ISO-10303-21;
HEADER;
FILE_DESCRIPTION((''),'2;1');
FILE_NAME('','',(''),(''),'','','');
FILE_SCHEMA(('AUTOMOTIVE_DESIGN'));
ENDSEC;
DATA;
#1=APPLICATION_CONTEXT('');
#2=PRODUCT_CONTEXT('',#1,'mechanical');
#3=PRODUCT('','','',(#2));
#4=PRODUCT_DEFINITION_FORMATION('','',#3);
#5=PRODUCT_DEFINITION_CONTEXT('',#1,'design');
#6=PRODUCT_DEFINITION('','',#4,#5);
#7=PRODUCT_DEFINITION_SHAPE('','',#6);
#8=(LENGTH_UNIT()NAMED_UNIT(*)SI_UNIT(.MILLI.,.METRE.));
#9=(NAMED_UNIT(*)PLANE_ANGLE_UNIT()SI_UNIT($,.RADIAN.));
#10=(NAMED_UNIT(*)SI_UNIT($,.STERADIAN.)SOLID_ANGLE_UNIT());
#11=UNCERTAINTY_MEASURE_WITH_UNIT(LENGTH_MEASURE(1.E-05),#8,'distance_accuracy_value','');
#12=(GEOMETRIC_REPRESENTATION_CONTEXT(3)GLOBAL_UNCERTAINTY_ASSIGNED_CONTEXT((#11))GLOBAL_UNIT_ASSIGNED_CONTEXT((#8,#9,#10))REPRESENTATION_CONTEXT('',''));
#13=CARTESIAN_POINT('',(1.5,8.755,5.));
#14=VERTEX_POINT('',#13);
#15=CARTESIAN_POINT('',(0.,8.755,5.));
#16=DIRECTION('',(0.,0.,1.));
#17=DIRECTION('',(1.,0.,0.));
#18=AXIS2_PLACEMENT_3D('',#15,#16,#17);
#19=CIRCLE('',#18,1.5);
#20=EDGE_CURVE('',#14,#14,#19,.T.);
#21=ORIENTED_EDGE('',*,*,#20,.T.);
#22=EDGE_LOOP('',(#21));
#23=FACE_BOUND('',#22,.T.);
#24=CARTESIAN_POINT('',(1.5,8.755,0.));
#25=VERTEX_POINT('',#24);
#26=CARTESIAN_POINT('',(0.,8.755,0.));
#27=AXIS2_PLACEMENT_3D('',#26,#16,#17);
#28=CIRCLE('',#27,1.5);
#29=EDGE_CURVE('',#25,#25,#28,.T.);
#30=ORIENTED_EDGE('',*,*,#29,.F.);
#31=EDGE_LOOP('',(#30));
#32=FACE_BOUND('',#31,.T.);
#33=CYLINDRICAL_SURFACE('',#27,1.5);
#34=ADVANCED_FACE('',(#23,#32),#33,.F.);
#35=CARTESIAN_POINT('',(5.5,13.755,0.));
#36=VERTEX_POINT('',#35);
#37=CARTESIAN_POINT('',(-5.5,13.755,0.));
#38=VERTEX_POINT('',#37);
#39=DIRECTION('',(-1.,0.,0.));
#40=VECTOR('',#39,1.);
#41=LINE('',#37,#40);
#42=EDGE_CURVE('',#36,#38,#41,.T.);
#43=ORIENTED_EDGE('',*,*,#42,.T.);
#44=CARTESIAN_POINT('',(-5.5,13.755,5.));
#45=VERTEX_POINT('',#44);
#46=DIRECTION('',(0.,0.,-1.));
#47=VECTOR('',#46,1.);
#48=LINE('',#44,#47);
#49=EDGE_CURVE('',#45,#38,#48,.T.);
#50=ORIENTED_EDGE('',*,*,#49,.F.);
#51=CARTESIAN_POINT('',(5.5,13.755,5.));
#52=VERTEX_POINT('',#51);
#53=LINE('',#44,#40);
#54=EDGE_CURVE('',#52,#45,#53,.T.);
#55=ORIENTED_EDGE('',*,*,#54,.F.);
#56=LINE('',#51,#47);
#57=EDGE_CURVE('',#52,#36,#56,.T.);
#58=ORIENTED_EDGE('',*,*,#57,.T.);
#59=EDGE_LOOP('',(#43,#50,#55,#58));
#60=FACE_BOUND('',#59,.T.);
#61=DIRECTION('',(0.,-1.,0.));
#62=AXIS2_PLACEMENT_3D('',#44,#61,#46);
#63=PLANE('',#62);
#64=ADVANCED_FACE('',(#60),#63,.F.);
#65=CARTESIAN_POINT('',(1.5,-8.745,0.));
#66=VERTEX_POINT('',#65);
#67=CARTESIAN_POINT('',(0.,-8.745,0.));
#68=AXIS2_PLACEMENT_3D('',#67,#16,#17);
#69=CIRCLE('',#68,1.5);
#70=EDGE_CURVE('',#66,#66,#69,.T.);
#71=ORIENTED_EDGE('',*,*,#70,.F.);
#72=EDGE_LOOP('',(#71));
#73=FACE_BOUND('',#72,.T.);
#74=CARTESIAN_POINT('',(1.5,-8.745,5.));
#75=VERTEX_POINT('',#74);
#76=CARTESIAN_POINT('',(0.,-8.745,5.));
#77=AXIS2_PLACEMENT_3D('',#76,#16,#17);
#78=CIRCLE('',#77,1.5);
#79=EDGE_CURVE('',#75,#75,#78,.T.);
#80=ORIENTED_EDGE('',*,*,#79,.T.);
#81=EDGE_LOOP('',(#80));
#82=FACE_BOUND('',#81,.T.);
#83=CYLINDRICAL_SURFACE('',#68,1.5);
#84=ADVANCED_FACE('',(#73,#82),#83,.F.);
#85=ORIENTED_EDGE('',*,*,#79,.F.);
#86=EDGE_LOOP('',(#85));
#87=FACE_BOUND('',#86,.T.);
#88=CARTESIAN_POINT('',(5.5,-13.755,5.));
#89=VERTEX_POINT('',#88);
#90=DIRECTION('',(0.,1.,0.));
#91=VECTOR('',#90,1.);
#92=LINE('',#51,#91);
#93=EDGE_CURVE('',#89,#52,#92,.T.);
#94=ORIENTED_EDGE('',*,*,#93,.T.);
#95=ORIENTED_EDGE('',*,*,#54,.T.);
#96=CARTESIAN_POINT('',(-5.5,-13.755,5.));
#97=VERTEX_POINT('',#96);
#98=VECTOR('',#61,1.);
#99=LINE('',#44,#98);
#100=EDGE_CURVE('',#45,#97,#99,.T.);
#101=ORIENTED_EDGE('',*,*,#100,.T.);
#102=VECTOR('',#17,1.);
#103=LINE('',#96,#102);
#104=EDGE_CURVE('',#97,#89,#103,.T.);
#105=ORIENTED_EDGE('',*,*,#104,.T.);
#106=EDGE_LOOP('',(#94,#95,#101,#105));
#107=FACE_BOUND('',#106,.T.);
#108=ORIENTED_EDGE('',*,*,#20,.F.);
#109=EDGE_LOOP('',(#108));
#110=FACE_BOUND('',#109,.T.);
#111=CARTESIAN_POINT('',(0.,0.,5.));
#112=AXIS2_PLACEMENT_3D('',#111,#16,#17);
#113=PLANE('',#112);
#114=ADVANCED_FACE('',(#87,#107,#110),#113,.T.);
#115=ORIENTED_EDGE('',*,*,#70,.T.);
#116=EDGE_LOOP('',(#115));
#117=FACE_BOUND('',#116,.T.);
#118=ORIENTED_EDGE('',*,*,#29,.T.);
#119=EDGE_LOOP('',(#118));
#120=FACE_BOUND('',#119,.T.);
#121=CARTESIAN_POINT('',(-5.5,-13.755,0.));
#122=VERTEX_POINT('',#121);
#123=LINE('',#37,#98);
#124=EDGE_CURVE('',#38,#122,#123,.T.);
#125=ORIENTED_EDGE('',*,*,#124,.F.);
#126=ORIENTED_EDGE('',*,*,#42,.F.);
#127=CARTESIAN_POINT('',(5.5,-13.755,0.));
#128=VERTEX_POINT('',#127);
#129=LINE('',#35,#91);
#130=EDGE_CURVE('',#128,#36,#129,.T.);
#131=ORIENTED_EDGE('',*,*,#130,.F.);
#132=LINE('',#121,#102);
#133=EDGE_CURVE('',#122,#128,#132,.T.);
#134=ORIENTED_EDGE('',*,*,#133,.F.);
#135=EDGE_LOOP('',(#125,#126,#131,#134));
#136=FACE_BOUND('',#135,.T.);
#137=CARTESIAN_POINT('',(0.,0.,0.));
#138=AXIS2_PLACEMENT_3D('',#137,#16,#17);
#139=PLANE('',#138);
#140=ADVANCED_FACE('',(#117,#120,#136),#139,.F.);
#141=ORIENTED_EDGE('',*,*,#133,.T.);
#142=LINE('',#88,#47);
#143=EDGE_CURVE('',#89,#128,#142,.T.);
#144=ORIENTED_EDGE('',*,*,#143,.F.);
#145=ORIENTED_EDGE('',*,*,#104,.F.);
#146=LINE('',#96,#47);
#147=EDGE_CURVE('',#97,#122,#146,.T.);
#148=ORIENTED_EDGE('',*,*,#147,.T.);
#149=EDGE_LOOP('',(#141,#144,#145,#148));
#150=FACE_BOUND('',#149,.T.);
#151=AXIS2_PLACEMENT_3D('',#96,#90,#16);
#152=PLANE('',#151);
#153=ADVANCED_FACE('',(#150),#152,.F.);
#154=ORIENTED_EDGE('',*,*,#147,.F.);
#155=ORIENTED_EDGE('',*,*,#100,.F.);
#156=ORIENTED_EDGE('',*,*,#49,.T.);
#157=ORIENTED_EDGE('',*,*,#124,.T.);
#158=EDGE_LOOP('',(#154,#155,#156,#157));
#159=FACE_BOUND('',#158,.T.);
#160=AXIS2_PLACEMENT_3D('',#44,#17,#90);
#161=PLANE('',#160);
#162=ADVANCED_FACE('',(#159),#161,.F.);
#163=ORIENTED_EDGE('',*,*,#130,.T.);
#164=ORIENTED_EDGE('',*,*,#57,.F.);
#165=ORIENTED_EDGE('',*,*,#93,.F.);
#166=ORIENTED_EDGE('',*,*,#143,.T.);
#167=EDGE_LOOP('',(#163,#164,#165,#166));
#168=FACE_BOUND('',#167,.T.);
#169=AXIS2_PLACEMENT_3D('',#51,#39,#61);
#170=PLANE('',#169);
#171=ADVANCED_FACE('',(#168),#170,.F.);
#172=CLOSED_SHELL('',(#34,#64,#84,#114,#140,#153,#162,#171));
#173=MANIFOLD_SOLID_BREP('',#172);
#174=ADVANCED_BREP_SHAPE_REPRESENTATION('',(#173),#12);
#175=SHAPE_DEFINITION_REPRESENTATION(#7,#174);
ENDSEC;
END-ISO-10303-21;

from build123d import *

# Parameters (mm, degrees)
SKETCH1_W           = 11
SKETCH1_H           = 27.51
BOSS_EXTRUDE2_DEPTH = 5
SKETCH3_R           = 1.5
CUT_EXTRUDE1_DEPTH  = 5


with BuildPart() as part:
    # Sketch1 → Boss-Extrude2 (new body)
    with BuildSketch(Plane.XY):
        Rectangle(SKETCH1_W, SKETCH1_H)
    extrude(amount=BOSS_EXTRUDE2_DEPTH)

    # Sketch3 → Cut-Extrude1 (cut)
    with BuildSketch(Plane.XY.offset(5)):
        with Locations((0, 8.755)):
            Circle(SKETCH3_R)
        with Locations((0, -8.745)):
            Circle(SKETCH3_R)
    extrude(amount=-CUT_EXTRUDE1_DEPTH, mode=Mode.SUBTRACT)


solid = part.part
